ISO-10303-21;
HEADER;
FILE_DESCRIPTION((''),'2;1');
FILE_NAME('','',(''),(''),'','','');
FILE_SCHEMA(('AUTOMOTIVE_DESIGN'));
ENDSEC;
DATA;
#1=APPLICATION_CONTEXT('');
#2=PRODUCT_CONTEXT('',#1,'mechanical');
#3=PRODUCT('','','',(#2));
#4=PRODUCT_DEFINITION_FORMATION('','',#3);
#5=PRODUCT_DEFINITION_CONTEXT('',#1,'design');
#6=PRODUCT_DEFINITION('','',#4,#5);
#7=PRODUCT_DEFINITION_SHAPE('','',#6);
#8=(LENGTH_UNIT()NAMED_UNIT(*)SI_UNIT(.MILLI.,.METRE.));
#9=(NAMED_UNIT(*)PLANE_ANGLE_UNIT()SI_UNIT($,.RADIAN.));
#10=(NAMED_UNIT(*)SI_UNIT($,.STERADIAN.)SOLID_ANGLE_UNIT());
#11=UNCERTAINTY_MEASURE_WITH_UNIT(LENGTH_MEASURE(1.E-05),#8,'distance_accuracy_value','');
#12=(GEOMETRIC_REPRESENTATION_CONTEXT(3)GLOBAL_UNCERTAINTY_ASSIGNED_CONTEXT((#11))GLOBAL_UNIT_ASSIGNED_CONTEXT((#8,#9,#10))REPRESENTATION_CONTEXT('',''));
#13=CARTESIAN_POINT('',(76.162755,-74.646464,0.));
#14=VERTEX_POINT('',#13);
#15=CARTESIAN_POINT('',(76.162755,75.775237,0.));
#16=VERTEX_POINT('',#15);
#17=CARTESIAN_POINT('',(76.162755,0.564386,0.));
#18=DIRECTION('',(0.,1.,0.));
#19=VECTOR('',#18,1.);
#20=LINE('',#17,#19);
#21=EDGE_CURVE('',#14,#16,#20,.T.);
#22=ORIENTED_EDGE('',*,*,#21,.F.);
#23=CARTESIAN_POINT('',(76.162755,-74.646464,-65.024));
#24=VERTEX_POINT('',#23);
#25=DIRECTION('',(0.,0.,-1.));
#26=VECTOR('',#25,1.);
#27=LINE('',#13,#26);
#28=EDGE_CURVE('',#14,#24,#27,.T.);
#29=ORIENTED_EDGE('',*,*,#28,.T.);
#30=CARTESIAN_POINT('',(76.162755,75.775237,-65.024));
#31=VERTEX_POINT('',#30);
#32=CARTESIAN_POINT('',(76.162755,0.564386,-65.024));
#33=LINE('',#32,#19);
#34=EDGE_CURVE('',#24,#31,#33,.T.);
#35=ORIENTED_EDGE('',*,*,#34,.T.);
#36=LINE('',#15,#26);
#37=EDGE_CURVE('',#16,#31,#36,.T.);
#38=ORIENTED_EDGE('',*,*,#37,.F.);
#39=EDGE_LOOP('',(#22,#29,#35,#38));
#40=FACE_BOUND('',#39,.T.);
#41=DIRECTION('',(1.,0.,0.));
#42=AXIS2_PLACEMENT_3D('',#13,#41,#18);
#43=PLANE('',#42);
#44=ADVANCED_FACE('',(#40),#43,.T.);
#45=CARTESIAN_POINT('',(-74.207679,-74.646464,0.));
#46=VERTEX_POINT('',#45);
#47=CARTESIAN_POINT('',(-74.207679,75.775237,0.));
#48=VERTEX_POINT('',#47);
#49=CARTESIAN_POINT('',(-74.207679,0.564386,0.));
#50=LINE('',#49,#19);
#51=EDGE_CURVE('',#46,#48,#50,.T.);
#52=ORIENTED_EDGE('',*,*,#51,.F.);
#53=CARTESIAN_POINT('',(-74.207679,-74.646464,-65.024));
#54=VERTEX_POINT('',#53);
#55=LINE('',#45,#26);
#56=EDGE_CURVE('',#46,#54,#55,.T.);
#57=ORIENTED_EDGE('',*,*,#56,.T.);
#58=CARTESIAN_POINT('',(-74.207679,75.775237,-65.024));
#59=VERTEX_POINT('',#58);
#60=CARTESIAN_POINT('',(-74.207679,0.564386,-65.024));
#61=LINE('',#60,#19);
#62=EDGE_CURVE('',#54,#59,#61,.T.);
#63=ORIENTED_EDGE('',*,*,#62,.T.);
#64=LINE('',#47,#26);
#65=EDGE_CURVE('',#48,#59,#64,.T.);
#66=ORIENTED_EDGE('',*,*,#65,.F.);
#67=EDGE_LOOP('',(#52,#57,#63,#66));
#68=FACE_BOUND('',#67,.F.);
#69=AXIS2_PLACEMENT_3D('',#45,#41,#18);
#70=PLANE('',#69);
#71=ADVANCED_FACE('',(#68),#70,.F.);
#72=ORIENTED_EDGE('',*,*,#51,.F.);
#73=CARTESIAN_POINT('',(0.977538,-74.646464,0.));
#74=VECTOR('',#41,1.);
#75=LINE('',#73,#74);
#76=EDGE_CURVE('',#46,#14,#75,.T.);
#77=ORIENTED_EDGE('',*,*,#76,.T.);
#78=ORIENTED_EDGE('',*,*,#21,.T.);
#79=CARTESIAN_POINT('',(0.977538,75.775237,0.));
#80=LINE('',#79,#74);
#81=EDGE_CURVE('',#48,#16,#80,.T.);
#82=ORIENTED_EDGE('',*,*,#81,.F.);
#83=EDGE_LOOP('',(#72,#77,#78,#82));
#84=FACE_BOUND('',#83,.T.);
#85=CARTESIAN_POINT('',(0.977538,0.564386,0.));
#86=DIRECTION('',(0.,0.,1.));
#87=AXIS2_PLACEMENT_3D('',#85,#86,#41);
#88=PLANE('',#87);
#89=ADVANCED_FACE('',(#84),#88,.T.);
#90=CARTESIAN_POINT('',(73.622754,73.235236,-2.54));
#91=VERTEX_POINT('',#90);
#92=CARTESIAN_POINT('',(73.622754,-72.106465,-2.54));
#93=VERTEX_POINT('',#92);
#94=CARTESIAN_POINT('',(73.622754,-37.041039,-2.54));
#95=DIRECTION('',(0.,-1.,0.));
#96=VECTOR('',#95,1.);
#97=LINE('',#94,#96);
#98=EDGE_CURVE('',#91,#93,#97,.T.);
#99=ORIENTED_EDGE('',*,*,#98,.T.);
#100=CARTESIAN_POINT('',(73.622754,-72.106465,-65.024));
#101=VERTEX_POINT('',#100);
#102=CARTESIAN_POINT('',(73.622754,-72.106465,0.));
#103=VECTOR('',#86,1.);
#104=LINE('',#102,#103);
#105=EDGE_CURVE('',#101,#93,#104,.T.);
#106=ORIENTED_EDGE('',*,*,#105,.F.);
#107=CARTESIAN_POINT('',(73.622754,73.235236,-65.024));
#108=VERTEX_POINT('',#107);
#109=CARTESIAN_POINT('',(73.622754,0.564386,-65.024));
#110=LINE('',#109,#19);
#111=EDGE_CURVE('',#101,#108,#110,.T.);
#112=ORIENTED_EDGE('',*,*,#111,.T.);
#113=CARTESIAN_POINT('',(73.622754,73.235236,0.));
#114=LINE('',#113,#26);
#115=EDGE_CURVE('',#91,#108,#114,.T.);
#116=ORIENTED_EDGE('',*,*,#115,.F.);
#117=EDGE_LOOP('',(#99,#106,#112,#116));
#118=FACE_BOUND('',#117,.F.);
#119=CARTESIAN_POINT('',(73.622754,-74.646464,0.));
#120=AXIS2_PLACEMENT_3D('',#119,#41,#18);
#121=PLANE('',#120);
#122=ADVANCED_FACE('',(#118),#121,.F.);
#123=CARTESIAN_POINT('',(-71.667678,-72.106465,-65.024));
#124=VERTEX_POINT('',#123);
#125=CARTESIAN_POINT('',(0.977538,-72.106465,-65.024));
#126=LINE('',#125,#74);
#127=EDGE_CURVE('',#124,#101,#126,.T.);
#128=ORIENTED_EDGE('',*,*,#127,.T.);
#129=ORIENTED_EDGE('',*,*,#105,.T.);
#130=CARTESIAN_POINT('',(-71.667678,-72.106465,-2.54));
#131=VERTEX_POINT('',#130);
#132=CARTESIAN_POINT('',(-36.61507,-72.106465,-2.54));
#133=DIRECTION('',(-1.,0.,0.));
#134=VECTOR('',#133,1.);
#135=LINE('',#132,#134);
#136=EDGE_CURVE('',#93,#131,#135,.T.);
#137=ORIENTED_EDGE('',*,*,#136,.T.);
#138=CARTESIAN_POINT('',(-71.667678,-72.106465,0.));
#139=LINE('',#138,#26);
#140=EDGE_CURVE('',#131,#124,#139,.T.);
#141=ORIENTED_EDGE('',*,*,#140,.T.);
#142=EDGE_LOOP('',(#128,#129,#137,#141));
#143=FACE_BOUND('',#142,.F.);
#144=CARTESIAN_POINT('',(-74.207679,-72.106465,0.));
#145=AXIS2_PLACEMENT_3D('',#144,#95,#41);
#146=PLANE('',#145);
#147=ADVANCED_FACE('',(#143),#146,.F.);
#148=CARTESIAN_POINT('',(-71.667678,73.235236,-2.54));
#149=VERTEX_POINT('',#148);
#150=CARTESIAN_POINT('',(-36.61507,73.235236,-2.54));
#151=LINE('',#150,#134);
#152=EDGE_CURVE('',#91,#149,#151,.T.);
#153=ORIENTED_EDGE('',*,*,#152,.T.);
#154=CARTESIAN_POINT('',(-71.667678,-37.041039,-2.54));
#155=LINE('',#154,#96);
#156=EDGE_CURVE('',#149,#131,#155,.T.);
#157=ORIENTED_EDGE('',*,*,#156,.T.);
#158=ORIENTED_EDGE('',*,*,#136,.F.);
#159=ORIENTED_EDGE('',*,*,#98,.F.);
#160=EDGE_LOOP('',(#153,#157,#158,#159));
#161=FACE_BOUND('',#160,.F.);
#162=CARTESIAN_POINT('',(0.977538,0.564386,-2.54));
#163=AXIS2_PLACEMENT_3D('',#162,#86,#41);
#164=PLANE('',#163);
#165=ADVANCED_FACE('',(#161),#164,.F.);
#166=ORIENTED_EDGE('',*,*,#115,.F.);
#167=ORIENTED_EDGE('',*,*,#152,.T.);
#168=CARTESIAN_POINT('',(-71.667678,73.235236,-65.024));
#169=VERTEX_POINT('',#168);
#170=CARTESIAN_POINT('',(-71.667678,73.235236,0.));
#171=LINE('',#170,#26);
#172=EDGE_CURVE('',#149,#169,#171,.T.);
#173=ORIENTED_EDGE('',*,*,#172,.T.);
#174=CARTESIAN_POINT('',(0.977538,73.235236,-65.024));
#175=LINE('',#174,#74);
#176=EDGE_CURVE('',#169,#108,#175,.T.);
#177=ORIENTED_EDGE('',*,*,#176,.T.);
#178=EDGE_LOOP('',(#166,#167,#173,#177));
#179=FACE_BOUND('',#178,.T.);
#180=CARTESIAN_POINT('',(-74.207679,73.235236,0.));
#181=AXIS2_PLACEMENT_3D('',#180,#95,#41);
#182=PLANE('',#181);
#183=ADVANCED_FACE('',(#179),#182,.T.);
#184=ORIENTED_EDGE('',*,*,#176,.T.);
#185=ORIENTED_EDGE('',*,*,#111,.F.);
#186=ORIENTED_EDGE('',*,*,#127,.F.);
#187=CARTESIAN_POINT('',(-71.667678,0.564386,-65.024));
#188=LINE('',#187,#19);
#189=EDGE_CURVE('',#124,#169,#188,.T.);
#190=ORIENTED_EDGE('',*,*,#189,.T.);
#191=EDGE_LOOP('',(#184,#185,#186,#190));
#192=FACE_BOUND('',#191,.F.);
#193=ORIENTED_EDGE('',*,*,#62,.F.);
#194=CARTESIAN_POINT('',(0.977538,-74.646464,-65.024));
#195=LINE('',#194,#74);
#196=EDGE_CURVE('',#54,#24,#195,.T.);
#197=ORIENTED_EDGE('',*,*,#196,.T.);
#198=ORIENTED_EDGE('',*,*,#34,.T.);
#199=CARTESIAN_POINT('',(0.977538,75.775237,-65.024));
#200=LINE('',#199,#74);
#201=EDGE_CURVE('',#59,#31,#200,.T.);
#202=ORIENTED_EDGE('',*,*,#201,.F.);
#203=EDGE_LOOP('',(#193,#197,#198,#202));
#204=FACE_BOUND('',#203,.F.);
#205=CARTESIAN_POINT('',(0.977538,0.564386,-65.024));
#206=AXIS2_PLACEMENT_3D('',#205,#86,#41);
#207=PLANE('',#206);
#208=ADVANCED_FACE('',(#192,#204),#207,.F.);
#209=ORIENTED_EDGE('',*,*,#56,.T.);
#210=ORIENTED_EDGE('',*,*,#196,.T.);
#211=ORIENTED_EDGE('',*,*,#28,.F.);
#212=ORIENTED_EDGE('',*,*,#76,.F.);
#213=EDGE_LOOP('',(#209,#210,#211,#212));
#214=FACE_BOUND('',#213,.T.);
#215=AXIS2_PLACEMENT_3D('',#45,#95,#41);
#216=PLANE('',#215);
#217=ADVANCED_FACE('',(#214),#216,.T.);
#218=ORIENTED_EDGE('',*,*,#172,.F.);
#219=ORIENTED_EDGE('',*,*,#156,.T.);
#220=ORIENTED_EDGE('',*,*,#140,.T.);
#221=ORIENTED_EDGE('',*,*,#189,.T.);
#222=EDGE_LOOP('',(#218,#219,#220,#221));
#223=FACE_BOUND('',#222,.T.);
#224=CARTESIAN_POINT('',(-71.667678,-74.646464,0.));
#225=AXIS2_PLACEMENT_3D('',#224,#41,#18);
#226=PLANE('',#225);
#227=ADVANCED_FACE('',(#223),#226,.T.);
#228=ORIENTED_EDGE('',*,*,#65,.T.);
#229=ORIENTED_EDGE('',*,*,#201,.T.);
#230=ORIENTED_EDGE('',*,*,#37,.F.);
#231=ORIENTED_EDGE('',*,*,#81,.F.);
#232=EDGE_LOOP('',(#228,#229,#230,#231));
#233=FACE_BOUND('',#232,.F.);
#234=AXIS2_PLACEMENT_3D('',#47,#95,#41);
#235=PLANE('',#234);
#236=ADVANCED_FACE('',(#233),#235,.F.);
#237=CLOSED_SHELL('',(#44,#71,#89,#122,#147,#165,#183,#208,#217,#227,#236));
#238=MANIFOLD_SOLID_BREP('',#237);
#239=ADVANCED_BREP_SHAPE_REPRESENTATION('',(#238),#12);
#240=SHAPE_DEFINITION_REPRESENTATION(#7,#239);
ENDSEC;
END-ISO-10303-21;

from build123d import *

# Parameters (mm, degrees)
F0_W     = 150.370433
F0_H     = 150.421701
F1_DEPTH = 65.024
F2_T     = -2.54


with BuildPart() as f1:
    # F0 (on Top) → F1 (new body)
    with BuildSketch(Plane.XY):
        with Locations((0.977538, 0.564386)):
            Rectangle(F0_W, F0_H)
    extrude(amount=-F1_DEPTH)

    # F2
    f2_openings = [f1.faces().sort_by_distance(p)[0] for p in [
        (0.977539, 0.564385, -65.024),
    ]]
    offset(amount=F2_T, openings=f2_openings)


solid = f1.part
